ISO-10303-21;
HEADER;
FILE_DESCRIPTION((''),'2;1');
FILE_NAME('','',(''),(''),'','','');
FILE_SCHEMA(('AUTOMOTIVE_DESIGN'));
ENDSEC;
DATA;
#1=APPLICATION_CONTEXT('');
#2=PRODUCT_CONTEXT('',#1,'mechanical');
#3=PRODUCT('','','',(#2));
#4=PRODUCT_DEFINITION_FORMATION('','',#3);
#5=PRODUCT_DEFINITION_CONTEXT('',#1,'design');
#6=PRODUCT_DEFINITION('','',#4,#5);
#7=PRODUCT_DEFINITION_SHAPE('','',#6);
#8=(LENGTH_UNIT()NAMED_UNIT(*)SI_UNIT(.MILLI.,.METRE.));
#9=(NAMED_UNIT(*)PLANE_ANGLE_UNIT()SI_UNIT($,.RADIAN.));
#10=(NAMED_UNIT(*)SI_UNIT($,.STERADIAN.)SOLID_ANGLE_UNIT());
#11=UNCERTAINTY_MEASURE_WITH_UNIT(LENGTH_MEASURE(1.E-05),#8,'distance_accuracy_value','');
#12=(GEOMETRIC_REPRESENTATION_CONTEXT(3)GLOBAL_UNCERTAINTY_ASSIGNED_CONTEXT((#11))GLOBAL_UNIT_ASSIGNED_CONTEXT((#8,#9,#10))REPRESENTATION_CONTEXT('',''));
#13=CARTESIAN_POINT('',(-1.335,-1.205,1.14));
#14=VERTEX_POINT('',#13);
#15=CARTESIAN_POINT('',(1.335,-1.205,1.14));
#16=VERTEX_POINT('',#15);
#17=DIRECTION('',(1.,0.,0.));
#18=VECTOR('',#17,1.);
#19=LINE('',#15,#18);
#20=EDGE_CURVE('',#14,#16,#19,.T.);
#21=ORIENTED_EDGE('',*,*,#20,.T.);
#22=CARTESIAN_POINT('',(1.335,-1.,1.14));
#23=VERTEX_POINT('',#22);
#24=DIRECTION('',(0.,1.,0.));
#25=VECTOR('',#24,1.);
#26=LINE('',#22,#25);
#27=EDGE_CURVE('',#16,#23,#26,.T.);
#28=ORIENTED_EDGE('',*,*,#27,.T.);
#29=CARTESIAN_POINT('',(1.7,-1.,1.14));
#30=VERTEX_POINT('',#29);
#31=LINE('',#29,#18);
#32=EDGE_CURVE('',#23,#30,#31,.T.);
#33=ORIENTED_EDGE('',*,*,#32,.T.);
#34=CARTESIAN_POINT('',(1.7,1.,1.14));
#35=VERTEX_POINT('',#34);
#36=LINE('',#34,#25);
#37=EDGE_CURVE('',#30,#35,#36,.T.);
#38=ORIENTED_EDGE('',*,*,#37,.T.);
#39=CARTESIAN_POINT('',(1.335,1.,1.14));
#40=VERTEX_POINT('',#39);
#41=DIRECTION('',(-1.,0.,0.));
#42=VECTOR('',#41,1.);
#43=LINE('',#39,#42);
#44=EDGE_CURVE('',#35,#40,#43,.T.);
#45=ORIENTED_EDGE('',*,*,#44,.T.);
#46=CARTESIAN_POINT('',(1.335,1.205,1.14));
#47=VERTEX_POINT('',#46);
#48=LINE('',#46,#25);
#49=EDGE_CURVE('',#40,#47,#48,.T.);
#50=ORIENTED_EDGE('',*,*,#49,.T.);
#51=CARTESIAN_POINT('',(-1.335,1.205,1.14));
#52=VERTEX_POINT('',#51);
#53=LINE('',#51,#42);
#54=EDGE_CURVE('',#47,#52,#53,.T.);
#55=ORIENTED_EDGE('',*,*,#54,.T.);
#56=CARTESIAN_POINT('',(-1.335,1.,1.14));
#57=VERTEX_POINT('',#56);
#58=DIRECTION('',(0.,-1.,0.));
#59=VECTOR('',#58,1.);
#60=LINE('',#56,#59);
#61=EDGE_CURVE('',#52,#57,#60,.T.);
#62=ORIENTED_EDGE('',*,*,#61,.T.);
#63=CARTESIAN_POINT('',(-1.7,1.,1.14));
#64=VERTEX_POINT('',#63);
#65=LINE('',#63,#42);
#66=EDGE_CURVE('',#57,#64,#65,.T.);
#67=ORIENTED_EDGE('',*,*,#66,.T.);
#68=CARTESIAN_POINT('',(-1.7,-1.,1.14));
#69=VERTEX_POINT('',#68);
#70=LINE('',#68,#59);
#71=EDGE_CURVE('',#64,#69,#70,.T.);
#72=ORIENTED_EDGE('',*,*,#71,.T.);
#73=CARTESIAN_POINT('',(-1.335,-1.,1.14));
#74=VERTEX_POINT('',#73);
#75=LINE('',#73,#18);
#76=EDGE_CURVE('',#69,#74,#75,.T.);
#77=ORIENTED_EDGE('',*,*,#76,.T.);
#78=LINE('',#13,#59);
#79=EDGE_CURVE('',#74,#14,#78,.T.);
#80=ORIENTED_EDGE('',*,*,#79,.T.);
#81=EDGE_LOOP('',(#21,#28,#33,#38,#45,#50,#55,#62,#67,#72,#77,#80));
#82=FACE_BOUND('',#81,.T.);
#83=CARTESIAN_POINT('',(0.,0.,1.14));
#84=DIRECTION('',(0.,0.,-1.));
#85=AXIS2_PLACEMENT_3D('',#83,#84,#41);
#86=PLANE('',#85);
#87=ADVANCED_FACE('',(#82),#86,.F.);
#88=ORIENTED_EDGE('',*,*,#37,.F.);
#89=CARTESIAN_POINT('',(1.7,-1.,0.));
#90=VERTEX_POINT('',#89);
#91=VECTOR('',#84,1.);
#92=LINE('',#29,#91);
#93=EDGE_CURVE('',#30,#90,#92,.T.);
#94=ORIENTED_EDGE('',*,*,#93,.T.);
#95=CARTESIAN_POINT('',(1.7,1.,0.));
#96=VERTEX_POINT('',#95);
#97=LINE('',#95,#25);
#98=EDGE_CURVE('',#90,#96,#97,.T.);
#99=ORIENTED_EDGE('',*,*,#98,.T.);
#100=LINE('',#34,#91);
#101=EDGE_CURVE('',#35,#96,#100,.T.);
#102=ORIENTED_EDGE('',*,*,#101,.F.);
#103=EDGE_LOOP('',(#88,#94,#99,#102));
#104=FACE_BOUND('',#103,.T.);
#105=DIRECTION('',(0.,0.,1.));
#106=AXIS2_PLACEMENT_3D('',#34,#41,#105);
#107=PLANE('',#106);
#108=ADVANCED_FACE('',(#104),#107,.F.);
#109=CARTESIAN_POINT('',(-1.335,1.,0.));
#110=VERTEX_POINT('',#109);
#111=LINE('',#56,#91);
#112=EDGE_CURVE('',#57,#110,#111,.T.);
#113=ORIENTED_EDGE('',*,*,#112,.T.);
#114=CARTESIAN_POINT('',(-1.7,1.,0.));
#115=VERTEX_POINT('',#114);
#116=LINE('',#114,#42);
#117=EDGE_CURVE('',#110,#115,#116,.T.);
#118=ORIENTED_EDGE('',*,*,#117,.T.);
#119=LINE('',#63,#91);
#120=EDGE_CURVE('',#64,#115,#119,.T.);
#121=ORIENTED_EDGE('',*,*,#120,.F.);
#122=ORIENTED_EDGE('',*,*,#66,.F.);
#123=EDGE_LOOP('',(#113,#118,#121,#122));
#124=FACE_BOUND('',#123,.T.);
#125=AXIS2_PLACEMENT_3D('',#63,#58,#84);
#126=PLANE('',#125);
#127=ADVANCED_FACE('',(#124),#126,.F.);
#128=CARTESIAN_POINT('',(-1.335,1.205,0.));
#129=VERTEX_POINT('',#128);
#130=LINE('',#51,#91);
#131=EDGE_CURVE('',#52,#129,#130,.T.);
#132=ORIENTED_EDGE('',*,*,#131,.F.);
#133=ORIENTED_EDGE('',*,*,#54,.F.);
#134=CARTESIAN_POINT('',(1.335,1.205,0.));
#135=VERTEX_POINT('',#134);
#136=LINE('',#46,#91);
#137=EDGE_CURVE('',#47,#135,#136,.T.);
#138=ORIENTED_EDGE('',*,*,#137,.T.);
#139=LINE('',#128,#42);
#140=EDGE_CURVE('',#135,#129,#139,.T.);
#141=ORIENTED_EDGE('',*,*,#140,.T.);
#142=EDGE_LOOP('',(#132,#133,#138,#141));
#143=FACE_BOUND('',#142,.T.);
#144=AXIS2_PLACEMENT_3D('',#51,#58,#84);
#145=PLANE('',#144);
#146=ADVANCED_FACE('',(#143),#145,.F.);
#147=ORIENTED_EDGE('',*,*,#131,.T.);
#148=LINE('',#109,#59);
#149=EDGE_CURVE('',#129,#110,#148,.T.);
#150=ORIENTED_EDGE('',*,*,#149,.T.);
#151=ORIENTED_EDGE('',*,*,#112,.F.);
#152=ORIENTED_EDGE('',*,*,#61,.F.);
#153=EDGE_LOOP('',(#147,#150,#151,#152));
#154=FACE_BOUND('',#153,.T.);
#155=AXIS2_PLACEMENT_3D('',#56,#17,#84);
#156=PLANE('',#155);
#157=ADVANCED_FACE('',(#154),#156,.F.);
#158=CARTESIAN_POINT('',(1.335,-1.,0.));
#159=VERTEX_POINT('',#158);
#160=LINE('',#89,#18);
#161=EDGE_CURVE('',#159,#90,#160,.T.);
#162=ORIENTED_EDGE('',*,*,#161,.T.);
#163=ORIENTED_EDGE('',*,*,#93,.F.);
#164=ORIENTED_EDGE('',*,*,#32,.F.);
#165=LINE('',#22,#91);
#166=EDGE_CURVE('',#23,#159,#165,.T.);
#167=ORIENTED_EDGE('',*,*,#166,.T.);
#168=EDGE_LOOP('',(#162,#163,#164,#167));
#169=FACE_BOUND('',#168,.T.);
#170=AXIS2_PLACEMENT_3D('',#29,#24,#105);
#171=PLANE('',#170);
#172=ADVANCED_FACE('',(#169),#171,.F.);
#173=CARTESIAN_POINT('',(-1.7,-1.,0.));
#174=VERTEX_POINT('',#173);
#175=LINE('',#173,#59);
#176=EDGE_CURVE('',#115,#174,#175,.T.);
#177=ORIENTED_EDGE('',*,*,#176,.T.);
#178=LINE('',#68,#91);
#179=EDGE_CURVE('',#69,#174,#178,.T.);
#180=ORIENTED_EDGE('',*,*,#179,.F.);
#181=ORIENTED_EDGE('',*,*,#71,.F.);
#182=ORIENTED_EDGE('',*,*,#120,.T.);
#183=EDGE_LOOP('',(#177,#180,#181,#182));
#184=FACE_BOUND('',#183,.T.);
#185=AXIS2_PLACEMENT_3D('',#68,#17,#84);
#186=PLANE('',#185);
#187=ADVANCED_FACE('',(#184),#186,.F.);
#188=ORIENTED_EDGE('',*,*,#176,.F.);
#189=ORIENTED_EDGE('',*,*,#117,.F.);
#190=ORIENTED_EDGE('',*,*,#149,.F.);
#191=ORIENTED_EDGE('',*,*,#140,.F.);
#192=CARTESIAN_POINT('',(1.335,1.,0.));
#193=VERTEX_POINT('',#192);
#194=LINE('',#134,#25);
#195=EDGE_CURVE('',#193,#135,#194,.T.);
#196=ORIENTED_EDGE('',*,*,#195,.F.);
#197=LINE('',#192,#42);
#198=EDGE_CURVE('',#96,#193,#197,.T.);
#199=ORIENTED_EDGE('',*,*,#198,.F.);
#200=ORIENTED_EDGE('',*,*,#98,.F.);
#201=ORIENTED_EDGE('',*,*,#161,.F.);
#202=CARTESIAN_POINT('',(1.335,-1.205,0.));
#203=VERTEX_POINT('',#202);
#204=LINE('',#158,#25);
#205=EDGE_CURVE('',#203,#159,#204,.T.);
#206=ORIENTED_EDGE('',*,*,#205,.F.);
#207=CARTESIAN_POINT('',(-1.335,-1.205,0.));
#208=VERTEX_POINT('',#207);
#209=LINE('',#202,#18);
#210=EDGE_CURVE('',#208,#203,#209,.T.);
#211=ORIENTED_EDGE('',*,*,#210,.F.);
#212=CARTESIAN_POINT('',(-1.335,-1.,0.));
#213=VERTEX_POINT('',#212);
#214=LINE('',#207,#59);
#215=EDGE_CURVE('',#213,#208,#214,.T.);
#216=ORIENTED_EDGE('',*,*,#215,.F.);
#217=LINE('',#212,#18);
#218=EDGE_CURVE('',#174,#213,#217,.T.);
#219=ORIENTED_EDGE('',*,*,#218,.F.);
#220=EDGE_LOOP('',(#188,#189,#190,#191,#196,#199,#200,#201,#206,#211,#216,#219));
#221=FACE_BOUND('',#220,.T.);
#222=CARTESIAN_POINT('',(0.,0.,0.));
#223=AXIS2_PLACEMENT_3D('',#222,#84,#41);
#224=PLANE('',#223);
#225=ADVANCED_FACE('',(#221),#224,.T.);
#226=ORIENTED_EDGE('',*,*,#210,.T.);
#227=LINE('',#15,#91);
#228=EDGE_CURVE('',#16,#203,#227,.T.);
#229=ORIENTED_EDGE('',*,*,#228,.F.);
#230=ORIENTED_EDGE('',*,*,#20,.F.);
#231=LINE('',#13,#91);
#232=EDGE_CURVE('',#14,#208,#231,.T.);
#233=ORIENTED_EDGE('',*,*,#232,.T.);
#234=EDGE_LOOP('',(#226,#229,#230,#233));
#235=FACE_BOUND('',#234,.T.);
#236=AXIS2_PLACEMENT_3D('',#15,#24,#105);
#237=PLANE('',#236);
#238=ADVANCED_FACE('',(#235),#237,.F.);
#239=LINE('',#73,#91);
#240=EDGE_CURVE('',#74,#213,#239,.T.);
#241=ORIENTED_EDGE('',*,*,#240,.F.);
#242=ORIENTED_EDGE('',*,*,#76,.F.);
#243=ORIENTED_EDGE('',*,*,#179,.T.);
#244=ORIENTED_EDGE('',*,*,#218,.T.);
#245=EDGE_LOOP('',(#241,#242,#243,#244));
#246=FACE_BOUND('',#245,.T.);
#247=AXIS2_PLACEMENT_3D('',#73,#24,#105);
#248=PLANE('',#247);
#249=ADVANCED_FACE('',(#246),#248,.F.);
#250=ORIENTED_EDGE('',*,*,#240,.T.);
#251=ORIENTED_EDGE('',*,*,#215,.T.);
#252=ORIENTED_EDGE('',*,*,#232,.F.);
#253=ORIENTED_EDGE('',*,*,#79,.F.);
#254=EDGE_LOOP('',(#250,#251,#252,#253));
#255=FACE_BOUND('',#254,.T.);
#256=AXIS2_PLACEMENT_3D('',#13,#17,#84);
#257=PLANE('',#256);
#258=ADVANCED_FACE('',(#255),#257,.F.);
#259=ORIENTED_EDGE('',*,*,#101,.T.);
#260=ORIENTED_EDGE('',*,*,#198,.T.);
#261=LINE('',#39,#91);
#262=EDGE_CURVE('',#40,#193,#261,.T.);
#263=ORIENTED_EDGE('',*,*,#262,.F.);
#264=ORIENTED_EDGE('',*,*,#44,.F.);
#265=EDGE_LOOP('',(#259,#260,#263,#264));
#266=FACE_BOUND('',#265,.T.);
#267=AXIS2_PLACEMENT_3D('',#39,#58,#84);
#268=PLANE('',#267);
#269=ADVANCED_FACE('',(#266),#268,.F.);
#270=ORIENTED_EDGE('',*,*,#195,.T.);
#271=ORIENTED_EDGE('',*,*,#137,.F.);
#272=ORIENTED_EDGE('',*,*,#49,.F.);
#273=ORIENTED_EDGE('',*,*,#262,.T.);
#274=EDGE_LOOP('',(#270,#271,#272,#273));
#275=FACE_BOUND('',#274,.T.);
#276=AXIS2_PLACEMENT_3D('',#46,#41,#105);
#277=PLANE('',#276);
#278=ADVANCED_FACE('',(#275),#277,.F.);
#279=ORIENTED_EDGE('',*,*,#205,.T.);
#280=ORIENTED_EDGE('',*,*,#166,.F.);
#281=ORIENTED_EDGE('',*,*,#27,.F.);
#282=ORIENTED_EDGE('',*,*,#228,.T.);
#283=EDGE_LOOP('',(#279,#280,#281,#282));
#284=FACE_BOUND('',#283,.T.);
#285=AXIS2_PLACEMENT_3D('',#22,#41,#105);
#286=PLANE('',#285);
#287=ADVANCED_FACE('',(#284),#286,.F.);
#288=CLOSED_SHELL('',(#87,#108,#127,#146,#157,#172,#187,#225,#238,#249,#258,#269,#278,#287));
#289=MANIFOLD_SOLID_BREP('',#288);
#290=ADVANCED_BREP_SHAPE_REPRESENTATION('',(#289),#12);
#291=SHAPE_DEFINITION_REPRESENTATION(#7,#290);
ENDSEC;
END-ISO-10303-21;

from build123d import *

# Parameters (mm, degrees)
COMPONENT_OUTLINE_DEPTH = 1.14


with BuildPart() as part:
    # 草图1 → Component_Outline (new body)
    with BuildSketch(Plane.XY):
        Polygon((-1.7, 1), (-1.335, 1), (-1.335, 1.205), (1.335, 1.205), (1.335, 1), (1.7, 1), (1.7, -1), (1.335, -1), (1.335, -1.205), (-1.335, -1.205), (-1.335, -1), (-1.7, -1), align=None)
    extrude(amount=COMPONENT_OUTLINE_DEPTH)


solid = part.part
